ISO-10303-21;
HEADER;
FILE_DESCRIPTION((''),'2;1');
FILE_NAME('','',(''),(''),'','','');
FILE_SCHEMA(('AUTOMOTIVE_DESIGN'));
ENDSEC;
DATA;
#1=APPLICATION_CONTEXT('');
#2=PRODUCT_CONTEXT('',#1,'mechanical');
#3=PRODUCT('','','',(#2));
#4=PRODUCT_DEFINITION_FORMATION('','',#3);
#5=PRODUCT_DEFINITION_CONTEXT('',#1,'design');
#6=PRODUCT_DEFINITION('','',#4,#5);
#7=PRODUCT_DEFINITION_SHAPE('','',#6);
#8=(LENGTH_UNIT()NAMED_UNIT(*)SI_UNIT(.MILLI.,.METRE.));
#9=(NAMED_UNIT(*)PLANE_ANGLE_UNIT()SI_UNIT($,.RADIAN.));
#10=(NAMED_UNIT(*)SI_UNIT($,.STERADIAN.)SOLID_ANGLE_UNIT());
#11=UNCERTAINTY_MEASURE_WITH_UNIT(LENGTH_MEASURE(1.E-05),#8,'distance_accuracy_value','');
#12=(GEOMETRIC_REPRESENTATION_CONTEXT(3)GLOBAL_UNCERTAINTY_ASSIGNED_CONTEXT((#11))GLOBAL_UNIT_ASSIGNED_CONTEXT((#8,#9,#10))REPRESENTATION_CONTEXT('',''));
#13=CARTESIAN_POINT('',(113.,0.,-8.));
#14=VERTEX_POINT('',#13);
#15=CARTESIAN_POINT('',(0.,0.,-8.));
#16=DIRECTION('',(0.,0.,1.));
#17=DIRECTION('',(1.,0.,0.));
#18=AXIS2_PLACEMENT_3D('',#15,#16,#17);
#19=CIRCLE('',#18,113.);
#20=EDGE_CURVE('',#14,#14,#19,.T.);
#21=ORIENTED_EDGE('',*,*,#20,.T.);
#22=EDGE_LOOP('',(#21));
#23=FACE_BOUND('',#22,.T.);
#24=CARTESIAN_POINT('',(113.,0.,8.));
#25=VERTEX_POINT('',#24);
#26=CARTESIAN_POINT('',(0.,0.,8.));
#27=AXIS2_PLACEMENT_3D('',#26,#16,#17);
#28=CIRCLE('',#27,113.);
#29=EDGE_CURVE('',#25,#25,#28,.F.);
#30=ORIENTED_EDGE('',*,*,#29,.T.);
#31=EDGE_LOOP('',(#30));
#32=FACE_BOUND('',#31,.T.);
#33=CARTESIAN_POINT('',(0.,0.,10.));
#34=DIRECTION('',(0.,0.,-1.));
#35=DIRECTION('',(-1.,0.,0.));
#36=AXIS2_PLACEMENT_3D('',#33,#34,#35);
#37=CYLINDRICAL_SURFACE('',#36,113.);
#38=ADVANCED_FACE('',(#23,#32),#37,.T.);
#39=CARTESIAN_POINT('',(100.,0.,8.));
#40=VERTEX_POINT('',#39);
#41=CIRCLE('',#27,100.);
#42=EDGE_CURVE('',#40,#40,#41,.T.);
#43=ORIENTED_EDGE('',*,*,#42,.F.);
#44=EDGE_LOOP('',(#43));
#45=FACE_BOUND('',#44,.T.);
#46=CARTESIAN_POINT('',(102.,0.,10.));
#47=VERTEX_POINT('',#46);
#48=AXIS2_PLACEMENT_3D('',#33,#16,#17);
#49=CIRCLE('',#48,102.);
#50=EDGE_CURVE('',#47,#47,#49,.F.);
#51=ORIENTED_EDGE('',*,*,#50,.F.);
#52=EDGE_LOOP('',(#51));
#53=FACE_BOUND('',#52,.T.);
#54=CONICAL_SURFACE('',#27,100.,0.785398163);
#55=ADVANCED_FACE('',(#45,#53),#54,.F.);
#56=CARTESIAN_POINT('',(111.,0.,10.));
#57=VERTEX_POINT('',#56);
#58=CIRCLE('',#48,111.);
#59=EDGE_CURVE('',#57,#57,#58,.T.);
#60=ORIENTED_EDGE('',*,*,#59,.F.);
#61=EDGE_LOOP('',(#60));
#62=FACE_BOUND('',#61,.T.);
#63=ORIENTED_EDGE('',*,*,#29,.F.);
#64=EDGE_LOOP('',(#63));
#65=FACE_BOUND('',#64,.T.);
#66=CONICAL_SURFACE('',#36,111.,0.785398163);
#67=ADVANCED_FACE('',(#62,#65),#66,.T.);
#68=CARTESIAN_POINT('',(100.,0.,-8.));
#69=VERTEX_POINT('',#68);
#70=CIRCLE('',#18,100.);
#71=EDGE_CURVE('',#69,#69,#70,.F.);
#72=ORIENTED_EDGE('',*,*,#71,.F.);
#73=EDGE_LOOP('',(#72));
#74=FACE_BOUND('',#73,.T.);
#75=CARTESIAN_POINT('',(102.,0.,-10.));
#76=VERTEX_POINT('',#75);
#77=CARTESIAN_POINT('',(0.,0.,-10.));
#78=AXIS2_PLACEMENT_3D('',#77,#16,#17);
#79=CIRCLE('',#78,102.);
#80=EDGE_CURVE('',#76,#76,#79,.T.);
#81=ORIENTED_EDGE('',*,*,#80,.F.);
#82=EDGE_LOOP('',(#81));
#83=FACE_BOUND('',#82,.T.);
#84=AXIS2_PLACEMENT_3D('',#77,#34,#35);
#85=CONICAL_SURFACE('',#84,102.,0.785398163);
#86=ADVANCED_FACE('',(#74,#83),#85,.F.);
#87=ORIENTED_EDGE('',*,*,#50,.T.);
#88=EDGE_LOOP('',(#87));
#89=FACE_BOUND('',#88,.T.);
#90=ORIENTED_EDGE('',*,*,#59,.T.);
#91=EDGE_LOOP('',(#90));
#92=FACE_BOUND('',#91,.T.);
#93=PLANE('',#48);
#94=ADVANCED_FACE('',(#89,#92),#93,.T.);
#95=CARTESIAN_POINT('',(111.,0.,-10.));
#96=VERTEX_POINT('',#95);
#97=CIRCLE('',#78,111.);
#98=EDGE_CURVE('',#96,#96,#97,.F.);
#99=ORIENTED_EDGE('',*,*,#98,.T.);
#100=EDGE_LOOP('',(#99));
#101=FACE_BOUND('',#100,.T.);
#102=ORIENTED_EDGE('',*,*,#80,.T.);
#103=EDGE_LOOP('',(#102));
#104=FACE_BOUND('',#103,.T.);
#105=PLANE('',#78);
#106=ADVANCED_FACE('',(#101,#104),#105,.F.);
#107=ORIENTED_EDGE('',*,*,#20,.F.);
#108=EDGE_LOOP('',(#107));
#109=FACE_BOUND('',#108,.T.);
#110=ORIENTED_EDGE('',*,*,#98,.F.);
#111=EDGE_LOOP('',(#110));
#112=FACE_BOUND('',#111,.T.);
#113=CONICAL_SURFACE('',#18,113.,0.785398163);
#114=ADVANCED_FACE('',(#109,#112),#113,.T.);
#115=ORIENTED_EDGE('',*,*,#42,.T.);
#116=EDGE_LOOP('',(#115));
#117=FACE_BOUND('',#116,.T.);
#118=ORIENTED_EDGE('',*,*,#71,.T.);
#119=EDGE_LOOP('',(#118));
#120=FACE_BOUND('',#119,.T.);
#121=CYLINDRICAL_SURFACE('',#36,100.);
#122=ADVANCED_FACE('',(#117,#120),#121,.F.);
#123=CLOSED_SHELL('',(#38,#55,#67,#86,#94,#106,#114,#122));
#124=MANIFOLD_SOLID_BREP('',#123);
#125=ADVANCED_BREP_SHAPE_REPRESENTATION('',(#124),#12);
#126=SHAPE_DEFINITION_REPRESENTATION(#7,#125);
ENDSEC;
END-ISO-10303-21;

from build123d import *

# Parameters (mm, degrees)
SKETCH1_R      = 113
SKETCH1_R_2    = 100
EXTRUDE1_DEPTH = 10
CHAMFER1_SIZE  = 2


with BuildPart() as part:
    # Sketch1 → Extrude1 (new, symmetric)
    with BuildSketch(Plane.XY):
        Circle(SKETCH1_R)
        Circle(SKETCH1_R_2, mode=Mode.SUBTRACT)
    extrude(amount=EXTRUDE1_DEPTH, both=True)

    # Chamfer1
    chamfer1_edges = [part.edges().sort_by_distance(p)[0] for p in [
        (-113, 0, -10),
        (-113, 0, 10),
        (-100, 0, -10),
        (-100, 0, 10),
    ]]
    chamfer(chamfer1_edges, length=CHAMFER1_SIZE)


solid = part.part
